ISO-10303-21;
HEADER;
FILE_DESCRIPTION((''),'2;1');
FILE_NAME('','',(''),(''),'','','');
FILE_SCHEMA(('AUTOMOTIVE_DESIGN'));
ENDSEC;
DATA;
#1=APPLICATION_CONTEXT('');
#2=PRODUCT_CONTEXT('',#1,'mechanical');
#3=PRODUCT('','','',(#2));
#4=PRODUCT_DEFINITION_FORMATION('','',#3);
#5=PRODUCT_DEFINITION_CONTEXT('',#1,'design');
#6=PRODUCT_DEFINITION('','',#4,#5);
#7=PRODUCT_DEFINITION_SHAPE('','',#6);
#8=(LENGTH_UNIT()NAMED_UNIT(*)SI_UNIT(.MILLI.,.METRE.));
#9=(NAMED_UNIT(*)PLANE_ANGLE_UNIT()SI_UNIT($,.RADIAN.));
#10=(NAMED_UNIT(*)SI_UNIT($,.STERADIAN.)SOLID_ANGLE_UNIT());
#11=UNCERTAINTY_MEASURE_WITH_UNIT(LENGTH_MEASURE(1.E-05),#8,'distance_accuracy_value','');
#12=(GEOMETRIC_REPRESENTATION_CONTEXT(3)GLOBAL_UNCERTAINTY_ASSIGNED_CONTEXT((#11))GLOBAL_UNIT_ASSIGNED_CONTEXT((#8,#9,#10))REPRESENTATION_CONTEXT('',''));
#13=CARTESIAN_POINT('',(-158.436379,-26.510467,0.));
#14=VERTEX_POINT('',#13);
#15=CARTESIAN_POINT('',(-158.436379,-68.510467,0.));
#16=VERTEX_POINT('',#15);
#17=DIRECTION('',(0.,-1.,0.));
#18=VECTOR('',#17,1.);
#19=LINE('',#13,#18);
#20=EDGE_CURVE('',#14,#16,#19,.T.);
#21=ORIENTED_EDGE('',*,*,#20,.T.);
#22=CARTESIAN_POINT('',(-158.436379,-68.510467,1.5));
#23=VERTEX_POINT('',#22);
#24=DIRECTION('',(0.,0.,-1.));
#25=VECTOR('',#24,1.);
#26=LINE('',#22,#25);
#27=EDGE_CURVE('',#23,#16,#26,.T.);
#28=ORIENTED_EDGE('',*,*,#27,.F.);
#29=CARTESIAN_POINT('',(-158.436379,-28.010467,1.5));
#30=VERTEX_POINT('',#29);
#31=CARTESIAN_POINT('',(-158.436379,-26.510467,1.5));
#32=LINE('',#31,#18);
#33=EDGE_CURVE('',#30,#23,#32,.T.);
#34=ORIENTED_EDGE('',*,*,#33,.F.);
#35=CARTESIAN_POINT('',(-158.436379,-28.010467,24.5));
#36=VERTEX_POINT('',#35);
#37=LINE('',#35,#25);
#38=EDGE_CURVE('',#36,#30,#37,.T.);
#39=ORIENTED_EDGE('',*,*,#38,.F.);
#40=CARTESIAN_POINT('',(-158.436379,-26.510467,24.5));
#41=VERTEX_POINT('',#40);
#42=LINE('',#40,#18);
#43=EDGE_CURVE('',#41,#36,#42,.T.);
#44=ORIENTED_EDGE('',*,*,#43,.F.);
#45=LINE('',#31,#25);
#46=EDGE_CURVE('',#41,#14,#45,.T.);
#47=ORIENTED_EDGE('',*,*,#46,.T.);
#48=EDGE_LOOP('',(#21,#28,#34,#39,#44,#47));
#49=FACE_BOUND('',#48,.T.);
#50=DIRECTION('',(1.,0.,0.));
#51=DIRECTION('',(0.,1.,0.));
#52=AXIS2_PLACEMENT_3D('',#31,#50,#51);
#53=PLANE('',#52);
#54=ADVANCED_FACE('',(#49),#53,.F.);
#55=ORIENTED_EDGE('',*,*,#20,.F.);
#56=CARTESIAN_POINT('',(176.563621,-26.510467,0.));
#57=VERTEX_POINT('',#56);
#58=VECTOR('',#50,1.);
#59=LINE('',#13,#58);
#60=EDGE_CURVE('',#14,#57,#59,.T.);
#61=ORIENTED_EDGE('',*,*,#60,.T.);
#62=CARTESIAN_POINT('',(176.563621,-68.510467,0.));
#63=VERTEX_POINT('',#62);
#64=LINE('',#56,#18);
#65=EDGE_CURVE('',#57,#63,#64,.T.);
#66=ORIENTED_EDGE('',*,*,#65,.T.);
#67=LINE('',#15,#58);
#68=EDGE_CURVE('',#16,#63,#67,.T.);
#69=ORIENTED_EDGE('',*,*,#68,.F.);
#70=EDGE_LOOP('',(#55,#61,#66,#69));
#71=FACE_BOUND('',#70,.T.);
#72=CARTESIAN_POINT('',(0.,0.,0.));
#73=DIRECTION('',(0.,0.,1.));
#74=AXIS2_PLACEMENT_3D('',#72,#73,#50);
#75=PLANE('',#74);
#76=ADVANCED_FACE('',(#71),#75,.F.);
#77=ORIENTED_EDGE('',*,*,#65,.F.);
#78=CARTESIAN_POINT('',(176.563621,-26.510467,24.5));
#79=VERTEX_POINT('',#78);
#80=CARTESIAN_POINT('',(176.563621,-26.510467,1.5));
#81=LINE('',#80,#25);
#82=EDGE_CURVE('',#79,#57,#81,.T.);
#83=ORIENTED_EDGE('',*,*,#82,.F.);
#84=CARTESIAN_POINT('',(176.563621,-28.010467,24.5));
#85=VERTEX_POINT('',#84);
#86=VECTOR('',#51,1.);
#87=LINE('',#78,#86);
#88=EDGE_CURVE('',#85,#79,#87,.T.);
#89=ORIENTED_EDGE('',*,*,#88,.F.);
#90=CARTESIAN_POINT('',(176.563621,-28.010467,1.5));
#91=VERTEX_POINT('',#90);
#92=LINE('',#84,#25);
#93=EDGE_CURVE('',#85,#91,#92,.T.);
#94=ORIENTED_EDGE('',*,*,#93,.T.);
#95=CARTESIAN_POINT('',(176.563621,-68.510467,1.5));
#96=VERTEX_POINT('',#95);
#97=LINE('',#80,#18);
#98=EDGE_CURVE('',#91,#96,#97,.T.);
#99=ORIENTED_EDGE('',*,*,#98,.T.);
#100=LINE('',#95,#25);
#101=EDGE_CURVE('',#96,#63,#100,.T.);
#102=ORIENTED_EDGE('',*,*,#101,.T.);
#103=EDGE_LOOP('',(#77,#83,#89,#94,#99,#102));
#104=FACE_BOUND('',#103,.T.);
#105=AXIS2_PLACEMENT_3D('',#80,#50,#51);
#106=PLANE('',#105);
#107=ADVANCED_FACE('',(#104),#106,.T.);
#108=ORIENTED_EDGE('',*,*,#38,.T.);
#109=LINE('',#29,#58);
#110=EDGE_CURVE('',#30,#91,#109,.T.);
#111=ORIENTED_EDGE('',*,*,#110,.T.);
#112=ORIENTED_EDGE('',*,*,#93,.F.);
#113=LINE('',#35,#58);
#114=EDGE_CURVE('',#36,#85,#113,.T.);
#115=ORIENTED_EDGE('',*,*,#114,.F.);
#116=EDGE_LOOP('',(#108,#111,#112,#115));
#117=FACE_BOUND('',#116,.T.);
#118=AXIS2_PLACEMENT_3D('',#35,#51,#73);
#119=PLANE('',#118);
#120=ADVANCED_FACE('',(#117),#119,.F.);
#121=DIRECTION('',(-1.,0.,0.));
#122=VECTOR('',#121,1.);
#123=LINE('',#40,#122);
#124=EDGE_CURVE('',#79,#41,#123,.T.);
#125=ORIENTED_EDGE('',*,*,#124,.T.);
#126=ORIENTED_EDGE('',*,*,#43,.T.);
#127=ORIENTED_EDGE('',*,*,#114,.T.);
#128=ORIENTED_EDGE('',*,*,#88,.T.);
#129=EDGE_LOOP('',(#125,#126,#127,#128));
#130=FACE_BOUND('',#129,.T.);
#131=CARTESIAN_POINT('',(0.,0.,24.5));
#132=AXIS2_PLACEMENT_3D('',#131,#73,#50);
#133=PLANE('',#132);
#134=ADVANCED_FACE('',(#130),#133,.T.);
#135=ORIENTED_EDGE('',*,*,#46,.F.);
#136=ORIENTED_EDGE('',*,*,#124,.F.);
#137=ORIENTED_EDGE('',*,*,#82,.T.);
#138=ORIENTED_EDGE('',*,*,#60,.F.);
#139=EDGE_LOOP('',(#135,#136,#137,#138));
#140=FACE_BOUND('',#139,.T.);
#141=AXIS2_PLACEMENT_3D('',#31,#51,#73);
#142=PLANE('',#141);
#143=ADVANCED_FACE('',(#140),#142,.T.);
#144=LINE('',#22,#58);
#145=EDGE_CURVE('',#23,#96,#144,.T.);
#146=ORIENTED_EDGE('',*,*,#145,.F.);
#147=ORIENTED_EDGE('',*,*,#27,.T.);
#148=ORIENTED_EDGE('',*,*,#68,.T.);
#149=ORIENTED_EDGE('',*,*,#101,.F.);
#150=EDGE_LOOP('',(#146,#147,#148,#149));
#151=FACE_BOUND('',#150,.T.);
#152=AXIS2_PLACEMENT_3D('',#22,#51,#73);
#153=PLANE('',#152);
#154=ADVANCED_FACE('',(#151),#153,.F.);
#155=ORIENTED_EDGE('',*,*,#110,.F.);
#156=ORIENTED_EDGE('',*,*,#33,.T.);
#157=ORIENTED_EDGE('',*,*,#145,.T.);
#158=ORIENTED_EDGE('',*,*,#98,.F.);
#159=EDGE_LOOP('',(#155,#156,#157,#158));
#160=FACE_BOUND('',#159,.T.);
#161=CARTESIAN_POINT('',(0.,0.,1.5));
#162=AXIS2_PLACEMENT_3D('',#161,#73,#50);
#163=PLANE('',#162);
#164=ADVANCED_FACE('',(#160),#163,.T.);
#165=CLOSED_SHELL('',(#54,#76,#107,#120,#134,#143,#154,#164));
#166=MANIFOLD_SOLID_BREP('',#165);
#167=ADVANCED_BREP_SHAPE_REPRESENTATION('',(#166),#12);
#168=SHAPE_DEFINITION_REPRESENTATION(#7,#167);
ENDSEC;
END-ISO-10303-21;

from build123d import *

# Parameters (mm, degrees)
SKETCH_1_W      = 335
SKETCH_1_H      = 42
EXTRUDE_1_DEPTH = 1.5
SKETCH_2_W      = 335
SKETCH_2_H      = 1.5
EXTRUDE_2_DEPTH = 23


with BuildPart() as part:
    # 草圖1 → 填料-伸長1 (new body)
    with BuildSketch(Plane.XY):
        with Locations((9.063621058, -47.510466989)):
            Rectangle(SKETCH_1_W, SKETCH_1_H)
    extrude(amount=EXTRUDE_1_DEPTH)

    # 草圖2 → 填料-伸長2 (add)
    with BuildSketch(Plane.XY.offset(1.5)):
        with Locations((9.063621058, -27.260466989)):
            Rectangle(SKETCH_2_W, SKETCH_2_H)
    extrude(amount=EXTRUDE_2_DEPTH)


solid = part.part
